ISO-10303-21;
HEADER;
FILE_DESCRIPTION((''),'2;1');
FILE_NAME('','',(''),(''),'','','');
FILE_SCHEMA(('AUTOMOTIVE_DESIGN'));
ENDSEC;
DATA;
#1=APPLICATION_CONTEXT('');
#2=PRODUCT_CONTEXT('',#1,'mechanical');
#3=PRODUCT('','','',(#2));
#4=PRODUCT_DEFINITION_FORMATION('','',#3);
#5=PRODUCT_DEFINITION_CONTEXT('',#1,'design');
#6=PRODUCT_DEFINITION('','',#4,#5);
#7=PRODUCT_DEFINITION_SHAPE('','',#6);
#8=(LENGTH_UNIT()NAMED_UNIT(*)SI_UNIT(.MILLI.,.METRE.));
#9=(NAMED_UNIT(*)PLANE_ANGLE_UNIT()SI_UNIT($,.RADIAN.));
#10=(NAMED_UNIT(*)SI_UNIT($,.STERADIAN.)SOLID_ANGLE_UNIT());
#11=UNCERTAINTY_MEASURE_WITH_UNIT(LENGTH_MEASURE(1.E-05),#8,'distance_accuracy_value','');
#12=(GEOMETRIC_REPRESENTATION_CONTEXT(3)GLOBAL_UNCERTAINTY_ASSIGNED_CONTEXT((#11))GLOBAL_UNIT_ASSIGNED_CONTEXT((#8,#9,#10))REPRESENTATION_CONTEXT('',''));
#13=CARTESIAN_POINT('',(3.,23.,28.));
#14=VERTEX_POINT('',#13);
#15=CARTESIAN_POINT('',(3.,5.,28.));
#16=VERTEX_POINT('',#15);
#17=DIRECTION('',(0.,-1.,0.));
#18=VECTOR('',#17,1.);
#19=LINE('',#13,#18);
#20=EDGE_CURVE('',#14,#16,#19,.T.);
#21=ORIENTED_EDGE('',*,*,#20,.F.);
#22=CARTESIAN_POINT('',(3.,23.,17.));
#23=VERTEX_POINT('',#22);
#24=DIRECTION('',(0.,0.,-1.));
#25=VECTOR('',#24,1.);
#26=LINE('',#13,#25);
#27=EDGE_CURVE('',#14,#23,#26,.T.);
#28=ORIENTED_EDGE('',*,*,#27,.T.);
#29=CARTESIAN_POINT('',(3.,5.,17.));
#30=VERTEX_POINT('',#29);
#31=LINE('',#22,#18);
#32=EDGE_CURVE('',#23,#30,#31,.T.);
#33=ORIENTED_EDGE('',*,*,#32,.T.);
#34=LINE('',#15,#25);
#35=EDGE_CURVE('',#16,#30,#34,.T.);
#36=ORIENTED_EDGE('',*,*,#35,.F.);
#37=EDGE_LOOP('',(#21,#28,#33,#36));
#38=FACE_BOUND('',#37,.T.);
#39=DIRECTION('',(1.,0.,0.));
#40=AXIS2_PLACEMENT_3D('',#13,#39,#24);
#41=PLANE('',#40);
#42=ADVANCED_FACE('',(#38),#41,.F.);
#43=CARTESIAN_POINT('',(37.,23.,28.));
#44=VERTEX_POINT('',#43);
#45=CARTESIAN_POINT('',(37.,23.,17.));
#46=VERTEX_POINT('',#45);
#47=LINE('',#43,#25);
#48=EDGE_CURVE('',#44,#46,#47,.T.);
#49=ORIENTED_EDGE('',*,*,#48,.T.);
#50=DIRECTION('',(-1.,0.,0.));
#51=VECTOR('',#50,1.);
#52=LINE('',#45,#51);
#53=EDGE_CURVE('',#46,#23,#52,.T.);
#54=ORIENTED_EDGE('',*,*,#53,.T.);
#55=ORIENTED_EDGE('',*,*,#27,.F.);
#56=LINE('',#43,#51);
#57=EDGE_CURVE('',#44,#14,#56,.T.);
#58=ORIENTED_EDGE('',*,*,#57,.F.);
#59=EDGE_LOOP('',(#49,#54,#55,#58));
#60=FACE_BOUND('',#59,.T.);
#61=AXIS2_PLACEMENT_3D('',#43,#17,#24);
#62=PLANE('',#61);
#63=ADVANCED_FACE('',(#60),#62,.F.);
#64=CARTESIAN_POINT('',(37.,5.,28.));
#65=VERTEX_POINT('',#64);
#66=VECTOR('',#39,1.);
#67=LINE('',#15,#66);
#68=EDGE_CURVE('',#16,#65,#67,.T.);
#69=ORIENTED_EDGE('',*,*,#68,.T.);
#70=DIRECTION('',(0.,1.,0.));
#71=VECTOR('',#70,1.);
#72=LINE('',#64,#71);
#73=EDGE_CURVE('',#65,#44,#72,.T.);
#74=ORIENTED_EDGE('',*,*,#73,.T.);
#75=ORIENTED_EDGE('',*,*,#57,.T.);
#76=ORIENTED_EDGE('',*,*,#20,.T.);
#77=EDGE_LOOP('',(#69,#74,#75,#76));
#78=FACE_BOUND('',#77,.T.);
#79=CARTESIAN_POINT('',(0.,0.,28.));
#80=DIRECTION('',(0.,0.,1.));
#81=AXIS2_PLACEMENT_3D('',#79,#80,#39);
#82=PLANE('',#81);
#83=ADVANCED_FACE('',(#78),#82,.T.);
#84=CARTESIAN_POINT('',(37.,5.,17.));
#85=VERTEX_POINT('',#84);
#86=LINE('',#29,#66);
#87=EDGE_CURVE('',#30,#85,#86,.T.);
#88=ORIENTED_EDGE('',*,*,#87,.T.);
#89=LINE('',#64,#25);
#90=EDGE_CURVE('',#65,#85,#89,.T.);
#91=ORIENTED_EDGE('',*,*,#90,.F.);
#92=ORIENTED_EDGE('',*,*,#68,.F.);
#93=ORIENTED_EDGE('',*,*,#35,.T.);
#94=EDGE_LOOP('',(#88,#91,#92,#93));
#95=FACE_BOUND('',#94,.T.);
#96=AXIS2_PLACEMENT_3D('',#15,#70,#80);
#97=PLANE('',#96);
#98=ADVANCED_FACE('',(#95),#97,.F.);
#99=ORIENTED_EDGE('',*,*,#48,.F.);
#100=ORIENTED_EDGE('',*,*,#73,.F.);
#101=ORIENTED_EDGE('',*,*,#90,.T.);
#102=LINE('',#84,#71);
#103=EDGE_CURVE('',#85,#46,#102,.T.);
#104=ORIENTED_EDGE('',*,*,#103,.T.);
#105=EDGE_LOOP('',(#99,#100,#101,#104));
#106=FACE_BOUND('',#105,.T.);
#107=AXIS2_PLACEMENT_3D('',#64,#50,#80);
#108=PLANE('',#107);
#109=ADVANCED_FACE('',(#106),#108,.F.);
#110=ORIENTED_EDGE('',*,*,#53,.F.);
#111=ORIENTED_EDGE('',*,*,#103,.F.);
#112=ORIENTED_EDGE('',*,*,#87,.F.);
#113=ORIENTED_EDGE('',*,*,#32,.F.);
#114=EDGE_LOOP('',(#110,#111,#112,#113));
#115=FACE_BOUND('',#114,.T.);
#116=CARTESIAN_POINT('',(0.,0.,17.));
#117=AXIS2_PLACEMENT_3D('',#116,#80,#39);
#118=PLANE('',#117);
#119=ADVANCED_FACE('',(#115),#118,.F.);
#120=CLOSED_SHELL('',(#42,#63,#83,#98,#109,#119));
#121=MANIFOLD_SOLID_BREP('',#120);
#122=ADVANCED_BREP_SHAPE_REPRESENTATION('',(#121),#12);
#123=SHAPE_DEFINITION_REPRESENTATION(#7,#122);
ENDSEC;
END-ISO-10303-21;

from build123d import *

# Parameters (mm, degrees)
SKETCH1_W           = 34
SKETCH1_H           = 18
BOSS_EXTRUDE1_DEPTH = 11


with BuildPart() as part:
    # Sketch1 → Boss-Extrude1 (new body)
    with BuildSketch(Plane.XY.offset(17)):
        with Locations((20, 14)):
            Rectangle(SKETCH1_W, SKETCH1_H)
    extrude(amount=BOSS_EXTRUDE1_DEPTH)


solid = part.part
